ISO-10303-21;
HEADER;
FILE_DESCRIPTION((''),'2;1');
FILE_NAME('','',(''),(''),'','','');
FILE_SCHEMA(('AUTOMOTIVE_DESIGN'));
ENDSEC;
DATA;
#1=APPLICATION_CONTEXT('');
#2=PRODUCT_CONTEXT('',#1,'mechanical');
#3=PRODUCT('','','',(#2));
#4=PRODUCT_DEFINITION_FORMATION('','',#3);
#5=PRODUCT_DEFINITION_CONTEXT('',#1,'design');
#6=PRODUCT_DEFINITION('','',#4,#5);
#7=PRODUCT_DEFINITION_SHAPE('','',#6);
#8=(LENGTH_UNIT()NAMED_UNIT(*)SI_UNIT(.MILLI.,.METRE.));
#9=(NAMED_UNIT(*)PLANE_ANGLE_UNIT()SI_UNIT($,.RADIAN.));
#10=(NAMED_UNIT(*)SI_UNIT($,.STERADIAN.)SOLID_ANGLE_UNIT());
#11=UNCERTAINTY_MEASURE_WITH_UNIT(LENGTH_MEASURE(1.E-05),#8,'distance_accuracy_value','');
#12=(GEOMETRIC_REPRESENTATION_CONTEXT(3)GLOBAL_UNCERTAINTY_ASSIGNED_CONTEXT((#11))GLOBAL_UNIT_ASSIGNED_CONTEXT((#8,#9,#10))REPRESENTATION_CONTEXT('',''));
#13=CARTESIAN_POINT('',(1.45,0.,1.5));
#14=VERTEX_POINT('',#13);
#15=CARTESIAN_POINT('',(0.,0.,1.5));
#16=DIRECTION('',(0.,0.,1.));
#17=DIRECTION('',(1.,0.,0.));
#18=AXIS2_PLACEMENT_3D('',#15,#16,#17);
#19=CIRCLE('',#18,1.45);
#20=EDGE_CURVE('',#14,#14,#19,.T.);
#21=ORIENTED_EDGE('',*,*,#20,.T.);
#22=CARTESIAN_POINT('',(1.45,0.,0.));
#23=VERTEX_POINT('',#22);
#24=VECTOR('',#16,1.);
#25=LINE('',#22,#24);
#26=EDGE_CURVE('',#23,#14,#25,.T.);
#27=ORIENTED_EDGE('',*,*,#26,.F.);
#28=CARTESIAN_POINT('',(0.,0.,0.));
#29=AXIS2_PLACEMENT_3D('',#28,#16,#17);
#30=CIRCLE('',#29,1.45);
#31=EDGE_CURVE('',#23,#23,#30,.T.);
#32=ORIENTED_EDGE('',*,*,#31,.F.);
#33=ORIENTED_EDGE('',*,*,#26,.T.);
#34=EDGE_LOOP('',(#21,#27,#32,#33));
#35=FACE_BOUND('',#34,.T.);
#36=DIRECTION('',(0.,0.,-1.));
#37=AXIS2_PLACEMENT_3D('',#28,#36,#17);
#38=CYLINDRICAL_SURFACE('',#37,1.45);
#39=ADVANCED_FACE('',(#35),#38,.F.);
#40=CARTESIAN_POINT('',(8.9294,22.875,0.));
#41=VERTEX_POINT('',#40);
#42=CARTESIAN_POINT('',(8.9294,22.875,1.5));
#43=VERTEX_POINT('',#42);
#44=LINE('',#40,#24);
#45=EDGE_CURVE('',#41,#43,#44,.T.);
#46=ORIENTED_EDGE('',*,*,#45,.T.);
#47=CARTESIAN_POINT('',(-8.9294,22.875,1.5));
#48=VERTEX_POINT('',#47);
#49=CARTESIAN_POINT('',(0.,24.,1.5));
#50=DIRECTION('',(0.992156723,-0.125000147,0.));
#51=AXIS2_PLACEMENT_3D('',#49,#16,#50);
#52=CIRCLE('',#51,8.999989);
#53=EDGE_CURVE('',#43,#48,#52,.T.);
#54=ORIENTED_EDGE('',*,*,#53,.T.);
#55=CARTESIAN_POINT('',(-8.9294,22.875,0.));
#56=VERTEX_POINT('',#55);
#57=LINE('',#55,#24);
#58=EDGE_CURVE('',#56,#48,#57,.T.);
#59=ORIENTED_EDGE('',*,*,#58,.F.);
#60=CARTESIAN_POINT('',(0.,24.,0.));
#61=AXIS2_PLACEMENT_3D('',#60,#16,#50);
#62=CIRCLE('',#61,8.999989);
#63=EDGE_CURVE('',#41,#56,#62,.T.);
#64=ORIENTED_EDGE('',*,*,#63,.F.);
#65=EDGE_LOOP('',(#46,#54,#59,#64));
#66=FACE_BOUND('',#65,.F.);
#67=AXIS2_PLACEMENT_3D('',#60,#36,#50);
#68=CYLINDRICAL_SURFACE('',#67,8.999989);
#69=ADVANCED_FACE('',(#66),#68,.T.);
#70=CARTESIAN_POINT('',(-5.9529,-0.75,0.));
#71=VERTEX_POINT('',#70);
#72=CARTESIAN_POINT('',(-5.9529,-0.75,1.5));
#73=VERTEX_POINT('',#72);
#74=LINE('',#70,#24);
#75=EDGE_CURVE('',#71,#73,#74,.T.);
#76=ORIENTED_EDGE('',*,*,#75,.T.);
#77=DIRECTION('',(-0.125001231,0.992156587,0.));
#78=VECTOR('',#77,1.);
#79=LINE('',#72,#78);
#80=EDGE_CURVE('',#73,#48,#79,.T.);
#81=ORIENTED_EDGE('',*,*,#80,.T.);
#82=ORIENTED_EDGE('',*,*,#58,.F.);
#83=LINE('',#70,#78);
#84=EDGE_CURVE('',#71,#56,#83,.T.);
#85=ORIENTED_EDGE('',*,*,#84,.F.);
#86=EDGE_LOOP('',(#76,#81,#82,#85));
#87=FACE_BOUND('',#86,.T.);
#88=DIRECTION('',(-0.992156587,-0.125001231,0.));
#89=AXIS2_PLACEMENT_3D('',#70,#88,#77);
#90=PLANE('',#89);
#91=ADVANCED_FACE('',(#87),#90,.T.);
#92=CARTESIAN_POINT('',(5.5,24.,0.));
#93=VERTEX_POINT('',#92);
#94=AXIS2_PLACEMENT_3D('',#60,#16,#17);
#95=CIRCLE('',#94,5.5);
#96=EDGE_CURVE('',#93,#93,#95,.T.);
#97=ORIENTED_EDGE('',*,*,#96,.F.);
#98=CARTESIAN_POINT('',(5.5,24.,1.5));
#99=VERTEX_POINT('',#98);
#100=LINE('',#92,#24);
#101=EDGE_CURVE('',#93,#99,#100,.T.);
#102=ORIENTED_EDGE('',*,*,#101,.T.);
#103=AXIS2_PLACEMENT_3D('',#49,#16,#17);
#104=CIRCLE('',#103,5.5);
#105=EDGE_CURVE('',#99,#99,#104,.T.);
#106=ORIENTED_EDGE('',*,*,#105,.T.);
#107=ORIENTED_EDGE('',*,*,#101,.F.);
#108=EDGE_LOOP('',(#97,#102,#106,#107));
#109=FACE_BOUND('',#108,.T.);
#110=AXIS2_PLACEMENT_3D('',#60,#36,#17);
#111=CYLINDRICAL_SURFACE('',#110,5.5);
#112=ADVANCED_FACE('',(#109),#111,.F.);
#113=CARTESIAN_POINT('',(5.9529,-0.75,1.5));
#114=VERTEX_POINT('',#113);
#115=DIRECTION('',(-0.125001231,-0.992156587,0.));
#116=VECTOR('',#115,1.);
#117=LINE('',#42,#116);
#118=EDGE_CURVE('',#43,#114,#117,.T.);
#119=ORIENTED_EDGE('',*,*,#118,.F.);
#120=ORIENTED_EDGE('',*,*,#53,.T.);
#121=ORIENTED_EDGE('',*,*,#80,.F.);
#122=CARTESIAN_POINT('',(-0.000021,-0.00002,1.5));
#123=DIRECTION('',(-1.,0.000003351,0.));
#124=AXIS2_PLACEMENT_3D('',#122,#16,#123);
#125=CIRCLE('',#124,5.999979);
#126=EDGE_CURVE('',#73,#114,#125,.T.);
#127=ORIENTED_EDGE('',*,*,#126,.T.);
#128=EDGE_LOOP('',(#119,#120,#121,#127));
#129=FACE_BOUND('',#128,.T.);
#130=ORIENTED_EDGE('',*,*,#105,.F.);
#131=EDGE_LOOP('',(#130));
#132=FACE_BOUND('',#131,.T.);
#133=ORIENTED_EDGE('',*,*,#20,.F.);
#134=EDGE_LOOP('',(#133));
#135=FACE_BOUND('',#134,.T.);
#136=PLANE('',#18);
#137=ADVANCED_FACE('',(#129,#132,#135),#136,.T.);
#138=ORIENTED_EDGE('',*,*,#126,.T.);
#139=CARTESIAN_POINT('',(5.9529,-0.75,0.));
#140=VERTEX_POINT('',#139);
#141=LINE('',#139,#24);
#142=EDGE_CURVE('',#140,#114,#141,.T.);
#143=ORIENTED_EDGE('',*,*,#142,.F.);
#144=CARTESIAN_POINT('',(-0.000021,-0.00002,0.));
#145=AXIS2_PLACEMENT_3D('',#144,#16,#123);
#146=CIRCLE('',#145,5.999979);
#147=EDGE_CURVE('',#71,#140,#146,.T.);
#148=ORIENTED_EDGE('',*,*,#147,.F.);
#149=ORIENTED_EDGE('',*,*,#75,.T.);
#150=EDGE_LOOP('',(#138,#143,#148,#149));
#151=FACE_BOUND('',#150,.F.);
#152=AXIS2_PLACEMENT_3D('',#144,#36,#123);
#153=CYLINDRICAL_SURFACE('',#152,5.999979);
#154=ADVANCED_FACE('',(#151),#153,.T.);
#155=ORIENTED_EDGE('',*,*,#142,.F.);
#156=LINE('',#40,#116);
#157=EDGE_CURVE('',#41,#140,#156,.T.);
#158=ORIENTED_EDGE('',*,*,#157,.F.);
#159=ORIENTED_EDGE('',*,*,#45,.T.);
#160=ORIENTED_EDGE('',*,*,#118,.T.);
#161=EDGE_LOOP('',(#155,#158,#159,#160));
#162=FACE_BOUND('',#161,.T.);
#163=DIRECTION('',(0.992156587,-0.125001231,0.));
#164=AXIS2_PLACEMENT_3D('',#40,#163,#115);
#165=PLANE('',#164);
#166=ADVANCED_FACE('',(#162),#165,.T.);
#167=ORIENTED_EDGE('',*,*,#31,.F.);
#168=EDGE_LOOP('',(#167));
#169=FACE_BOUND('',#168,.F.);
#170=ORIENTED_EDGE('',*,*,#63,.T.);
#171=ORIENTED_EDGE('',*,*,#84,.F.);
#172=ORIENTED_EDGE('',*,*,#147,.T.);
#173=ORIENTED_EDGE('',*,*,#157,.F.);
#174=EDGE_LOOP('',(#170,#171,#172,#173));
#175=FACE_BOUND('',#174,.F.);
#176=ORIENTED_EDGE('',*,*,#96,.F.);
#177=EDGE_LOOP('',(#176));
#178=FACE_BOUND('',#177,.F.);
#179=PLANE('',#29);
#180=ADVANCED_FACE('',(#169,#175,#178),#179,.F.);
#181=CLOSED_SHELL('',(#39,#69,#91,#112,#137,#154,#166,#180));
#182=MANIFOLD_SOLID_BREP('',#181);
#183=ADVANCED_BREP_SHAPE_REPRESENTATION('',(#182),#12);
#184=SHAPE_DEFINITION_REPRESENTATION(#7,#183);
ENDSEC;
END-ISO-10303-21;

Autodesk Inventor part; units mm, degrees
ref_plane "YZ Plane" through (0, 0, 0) normal (1, 0, 0) x (0, 1, 0)
ref_plane "XZ Plane" through (0, 0, 0) normal (0, 1, 0) x (-1, 0, 0)
ref_plane "XY Plane" through (0, 0, 0) normal (0, 0, 1) x (1, 0, 0)
sketch "Sketch1" plane through (0, 0, 0) normal (0, 0, 1) x (1, 0, 0)
  circle A0 centre (0, 0) radius 1.45
  line L0 (0, 0) -> (-32, 0) construction
  arc A1 (-6, 0) -> (5.9529, -0.75) centre (0, 0) ccw
  circle A2 centre (0, 24) radius 5.5
  arc A3 (8.9294, 22.875) -> (-8.9294, 22.875) centre (0, 24) ccw
  line L1 (8.9294, 22.875) -> (5.9529, -0.75)
  line L2 (-5.9529, -0.75) -> (-8.9294, 22.875)
  dimension "d0" = 2.9
  dimension "d61" = 6
  dimension "d63" = 24
  dimension "d69" = 9
  dimension "d72" = 11
extrude "Extrusion1" add sketch "Sketch1" along normal blind 1.5
properties part number "tipper_link_B_support"
